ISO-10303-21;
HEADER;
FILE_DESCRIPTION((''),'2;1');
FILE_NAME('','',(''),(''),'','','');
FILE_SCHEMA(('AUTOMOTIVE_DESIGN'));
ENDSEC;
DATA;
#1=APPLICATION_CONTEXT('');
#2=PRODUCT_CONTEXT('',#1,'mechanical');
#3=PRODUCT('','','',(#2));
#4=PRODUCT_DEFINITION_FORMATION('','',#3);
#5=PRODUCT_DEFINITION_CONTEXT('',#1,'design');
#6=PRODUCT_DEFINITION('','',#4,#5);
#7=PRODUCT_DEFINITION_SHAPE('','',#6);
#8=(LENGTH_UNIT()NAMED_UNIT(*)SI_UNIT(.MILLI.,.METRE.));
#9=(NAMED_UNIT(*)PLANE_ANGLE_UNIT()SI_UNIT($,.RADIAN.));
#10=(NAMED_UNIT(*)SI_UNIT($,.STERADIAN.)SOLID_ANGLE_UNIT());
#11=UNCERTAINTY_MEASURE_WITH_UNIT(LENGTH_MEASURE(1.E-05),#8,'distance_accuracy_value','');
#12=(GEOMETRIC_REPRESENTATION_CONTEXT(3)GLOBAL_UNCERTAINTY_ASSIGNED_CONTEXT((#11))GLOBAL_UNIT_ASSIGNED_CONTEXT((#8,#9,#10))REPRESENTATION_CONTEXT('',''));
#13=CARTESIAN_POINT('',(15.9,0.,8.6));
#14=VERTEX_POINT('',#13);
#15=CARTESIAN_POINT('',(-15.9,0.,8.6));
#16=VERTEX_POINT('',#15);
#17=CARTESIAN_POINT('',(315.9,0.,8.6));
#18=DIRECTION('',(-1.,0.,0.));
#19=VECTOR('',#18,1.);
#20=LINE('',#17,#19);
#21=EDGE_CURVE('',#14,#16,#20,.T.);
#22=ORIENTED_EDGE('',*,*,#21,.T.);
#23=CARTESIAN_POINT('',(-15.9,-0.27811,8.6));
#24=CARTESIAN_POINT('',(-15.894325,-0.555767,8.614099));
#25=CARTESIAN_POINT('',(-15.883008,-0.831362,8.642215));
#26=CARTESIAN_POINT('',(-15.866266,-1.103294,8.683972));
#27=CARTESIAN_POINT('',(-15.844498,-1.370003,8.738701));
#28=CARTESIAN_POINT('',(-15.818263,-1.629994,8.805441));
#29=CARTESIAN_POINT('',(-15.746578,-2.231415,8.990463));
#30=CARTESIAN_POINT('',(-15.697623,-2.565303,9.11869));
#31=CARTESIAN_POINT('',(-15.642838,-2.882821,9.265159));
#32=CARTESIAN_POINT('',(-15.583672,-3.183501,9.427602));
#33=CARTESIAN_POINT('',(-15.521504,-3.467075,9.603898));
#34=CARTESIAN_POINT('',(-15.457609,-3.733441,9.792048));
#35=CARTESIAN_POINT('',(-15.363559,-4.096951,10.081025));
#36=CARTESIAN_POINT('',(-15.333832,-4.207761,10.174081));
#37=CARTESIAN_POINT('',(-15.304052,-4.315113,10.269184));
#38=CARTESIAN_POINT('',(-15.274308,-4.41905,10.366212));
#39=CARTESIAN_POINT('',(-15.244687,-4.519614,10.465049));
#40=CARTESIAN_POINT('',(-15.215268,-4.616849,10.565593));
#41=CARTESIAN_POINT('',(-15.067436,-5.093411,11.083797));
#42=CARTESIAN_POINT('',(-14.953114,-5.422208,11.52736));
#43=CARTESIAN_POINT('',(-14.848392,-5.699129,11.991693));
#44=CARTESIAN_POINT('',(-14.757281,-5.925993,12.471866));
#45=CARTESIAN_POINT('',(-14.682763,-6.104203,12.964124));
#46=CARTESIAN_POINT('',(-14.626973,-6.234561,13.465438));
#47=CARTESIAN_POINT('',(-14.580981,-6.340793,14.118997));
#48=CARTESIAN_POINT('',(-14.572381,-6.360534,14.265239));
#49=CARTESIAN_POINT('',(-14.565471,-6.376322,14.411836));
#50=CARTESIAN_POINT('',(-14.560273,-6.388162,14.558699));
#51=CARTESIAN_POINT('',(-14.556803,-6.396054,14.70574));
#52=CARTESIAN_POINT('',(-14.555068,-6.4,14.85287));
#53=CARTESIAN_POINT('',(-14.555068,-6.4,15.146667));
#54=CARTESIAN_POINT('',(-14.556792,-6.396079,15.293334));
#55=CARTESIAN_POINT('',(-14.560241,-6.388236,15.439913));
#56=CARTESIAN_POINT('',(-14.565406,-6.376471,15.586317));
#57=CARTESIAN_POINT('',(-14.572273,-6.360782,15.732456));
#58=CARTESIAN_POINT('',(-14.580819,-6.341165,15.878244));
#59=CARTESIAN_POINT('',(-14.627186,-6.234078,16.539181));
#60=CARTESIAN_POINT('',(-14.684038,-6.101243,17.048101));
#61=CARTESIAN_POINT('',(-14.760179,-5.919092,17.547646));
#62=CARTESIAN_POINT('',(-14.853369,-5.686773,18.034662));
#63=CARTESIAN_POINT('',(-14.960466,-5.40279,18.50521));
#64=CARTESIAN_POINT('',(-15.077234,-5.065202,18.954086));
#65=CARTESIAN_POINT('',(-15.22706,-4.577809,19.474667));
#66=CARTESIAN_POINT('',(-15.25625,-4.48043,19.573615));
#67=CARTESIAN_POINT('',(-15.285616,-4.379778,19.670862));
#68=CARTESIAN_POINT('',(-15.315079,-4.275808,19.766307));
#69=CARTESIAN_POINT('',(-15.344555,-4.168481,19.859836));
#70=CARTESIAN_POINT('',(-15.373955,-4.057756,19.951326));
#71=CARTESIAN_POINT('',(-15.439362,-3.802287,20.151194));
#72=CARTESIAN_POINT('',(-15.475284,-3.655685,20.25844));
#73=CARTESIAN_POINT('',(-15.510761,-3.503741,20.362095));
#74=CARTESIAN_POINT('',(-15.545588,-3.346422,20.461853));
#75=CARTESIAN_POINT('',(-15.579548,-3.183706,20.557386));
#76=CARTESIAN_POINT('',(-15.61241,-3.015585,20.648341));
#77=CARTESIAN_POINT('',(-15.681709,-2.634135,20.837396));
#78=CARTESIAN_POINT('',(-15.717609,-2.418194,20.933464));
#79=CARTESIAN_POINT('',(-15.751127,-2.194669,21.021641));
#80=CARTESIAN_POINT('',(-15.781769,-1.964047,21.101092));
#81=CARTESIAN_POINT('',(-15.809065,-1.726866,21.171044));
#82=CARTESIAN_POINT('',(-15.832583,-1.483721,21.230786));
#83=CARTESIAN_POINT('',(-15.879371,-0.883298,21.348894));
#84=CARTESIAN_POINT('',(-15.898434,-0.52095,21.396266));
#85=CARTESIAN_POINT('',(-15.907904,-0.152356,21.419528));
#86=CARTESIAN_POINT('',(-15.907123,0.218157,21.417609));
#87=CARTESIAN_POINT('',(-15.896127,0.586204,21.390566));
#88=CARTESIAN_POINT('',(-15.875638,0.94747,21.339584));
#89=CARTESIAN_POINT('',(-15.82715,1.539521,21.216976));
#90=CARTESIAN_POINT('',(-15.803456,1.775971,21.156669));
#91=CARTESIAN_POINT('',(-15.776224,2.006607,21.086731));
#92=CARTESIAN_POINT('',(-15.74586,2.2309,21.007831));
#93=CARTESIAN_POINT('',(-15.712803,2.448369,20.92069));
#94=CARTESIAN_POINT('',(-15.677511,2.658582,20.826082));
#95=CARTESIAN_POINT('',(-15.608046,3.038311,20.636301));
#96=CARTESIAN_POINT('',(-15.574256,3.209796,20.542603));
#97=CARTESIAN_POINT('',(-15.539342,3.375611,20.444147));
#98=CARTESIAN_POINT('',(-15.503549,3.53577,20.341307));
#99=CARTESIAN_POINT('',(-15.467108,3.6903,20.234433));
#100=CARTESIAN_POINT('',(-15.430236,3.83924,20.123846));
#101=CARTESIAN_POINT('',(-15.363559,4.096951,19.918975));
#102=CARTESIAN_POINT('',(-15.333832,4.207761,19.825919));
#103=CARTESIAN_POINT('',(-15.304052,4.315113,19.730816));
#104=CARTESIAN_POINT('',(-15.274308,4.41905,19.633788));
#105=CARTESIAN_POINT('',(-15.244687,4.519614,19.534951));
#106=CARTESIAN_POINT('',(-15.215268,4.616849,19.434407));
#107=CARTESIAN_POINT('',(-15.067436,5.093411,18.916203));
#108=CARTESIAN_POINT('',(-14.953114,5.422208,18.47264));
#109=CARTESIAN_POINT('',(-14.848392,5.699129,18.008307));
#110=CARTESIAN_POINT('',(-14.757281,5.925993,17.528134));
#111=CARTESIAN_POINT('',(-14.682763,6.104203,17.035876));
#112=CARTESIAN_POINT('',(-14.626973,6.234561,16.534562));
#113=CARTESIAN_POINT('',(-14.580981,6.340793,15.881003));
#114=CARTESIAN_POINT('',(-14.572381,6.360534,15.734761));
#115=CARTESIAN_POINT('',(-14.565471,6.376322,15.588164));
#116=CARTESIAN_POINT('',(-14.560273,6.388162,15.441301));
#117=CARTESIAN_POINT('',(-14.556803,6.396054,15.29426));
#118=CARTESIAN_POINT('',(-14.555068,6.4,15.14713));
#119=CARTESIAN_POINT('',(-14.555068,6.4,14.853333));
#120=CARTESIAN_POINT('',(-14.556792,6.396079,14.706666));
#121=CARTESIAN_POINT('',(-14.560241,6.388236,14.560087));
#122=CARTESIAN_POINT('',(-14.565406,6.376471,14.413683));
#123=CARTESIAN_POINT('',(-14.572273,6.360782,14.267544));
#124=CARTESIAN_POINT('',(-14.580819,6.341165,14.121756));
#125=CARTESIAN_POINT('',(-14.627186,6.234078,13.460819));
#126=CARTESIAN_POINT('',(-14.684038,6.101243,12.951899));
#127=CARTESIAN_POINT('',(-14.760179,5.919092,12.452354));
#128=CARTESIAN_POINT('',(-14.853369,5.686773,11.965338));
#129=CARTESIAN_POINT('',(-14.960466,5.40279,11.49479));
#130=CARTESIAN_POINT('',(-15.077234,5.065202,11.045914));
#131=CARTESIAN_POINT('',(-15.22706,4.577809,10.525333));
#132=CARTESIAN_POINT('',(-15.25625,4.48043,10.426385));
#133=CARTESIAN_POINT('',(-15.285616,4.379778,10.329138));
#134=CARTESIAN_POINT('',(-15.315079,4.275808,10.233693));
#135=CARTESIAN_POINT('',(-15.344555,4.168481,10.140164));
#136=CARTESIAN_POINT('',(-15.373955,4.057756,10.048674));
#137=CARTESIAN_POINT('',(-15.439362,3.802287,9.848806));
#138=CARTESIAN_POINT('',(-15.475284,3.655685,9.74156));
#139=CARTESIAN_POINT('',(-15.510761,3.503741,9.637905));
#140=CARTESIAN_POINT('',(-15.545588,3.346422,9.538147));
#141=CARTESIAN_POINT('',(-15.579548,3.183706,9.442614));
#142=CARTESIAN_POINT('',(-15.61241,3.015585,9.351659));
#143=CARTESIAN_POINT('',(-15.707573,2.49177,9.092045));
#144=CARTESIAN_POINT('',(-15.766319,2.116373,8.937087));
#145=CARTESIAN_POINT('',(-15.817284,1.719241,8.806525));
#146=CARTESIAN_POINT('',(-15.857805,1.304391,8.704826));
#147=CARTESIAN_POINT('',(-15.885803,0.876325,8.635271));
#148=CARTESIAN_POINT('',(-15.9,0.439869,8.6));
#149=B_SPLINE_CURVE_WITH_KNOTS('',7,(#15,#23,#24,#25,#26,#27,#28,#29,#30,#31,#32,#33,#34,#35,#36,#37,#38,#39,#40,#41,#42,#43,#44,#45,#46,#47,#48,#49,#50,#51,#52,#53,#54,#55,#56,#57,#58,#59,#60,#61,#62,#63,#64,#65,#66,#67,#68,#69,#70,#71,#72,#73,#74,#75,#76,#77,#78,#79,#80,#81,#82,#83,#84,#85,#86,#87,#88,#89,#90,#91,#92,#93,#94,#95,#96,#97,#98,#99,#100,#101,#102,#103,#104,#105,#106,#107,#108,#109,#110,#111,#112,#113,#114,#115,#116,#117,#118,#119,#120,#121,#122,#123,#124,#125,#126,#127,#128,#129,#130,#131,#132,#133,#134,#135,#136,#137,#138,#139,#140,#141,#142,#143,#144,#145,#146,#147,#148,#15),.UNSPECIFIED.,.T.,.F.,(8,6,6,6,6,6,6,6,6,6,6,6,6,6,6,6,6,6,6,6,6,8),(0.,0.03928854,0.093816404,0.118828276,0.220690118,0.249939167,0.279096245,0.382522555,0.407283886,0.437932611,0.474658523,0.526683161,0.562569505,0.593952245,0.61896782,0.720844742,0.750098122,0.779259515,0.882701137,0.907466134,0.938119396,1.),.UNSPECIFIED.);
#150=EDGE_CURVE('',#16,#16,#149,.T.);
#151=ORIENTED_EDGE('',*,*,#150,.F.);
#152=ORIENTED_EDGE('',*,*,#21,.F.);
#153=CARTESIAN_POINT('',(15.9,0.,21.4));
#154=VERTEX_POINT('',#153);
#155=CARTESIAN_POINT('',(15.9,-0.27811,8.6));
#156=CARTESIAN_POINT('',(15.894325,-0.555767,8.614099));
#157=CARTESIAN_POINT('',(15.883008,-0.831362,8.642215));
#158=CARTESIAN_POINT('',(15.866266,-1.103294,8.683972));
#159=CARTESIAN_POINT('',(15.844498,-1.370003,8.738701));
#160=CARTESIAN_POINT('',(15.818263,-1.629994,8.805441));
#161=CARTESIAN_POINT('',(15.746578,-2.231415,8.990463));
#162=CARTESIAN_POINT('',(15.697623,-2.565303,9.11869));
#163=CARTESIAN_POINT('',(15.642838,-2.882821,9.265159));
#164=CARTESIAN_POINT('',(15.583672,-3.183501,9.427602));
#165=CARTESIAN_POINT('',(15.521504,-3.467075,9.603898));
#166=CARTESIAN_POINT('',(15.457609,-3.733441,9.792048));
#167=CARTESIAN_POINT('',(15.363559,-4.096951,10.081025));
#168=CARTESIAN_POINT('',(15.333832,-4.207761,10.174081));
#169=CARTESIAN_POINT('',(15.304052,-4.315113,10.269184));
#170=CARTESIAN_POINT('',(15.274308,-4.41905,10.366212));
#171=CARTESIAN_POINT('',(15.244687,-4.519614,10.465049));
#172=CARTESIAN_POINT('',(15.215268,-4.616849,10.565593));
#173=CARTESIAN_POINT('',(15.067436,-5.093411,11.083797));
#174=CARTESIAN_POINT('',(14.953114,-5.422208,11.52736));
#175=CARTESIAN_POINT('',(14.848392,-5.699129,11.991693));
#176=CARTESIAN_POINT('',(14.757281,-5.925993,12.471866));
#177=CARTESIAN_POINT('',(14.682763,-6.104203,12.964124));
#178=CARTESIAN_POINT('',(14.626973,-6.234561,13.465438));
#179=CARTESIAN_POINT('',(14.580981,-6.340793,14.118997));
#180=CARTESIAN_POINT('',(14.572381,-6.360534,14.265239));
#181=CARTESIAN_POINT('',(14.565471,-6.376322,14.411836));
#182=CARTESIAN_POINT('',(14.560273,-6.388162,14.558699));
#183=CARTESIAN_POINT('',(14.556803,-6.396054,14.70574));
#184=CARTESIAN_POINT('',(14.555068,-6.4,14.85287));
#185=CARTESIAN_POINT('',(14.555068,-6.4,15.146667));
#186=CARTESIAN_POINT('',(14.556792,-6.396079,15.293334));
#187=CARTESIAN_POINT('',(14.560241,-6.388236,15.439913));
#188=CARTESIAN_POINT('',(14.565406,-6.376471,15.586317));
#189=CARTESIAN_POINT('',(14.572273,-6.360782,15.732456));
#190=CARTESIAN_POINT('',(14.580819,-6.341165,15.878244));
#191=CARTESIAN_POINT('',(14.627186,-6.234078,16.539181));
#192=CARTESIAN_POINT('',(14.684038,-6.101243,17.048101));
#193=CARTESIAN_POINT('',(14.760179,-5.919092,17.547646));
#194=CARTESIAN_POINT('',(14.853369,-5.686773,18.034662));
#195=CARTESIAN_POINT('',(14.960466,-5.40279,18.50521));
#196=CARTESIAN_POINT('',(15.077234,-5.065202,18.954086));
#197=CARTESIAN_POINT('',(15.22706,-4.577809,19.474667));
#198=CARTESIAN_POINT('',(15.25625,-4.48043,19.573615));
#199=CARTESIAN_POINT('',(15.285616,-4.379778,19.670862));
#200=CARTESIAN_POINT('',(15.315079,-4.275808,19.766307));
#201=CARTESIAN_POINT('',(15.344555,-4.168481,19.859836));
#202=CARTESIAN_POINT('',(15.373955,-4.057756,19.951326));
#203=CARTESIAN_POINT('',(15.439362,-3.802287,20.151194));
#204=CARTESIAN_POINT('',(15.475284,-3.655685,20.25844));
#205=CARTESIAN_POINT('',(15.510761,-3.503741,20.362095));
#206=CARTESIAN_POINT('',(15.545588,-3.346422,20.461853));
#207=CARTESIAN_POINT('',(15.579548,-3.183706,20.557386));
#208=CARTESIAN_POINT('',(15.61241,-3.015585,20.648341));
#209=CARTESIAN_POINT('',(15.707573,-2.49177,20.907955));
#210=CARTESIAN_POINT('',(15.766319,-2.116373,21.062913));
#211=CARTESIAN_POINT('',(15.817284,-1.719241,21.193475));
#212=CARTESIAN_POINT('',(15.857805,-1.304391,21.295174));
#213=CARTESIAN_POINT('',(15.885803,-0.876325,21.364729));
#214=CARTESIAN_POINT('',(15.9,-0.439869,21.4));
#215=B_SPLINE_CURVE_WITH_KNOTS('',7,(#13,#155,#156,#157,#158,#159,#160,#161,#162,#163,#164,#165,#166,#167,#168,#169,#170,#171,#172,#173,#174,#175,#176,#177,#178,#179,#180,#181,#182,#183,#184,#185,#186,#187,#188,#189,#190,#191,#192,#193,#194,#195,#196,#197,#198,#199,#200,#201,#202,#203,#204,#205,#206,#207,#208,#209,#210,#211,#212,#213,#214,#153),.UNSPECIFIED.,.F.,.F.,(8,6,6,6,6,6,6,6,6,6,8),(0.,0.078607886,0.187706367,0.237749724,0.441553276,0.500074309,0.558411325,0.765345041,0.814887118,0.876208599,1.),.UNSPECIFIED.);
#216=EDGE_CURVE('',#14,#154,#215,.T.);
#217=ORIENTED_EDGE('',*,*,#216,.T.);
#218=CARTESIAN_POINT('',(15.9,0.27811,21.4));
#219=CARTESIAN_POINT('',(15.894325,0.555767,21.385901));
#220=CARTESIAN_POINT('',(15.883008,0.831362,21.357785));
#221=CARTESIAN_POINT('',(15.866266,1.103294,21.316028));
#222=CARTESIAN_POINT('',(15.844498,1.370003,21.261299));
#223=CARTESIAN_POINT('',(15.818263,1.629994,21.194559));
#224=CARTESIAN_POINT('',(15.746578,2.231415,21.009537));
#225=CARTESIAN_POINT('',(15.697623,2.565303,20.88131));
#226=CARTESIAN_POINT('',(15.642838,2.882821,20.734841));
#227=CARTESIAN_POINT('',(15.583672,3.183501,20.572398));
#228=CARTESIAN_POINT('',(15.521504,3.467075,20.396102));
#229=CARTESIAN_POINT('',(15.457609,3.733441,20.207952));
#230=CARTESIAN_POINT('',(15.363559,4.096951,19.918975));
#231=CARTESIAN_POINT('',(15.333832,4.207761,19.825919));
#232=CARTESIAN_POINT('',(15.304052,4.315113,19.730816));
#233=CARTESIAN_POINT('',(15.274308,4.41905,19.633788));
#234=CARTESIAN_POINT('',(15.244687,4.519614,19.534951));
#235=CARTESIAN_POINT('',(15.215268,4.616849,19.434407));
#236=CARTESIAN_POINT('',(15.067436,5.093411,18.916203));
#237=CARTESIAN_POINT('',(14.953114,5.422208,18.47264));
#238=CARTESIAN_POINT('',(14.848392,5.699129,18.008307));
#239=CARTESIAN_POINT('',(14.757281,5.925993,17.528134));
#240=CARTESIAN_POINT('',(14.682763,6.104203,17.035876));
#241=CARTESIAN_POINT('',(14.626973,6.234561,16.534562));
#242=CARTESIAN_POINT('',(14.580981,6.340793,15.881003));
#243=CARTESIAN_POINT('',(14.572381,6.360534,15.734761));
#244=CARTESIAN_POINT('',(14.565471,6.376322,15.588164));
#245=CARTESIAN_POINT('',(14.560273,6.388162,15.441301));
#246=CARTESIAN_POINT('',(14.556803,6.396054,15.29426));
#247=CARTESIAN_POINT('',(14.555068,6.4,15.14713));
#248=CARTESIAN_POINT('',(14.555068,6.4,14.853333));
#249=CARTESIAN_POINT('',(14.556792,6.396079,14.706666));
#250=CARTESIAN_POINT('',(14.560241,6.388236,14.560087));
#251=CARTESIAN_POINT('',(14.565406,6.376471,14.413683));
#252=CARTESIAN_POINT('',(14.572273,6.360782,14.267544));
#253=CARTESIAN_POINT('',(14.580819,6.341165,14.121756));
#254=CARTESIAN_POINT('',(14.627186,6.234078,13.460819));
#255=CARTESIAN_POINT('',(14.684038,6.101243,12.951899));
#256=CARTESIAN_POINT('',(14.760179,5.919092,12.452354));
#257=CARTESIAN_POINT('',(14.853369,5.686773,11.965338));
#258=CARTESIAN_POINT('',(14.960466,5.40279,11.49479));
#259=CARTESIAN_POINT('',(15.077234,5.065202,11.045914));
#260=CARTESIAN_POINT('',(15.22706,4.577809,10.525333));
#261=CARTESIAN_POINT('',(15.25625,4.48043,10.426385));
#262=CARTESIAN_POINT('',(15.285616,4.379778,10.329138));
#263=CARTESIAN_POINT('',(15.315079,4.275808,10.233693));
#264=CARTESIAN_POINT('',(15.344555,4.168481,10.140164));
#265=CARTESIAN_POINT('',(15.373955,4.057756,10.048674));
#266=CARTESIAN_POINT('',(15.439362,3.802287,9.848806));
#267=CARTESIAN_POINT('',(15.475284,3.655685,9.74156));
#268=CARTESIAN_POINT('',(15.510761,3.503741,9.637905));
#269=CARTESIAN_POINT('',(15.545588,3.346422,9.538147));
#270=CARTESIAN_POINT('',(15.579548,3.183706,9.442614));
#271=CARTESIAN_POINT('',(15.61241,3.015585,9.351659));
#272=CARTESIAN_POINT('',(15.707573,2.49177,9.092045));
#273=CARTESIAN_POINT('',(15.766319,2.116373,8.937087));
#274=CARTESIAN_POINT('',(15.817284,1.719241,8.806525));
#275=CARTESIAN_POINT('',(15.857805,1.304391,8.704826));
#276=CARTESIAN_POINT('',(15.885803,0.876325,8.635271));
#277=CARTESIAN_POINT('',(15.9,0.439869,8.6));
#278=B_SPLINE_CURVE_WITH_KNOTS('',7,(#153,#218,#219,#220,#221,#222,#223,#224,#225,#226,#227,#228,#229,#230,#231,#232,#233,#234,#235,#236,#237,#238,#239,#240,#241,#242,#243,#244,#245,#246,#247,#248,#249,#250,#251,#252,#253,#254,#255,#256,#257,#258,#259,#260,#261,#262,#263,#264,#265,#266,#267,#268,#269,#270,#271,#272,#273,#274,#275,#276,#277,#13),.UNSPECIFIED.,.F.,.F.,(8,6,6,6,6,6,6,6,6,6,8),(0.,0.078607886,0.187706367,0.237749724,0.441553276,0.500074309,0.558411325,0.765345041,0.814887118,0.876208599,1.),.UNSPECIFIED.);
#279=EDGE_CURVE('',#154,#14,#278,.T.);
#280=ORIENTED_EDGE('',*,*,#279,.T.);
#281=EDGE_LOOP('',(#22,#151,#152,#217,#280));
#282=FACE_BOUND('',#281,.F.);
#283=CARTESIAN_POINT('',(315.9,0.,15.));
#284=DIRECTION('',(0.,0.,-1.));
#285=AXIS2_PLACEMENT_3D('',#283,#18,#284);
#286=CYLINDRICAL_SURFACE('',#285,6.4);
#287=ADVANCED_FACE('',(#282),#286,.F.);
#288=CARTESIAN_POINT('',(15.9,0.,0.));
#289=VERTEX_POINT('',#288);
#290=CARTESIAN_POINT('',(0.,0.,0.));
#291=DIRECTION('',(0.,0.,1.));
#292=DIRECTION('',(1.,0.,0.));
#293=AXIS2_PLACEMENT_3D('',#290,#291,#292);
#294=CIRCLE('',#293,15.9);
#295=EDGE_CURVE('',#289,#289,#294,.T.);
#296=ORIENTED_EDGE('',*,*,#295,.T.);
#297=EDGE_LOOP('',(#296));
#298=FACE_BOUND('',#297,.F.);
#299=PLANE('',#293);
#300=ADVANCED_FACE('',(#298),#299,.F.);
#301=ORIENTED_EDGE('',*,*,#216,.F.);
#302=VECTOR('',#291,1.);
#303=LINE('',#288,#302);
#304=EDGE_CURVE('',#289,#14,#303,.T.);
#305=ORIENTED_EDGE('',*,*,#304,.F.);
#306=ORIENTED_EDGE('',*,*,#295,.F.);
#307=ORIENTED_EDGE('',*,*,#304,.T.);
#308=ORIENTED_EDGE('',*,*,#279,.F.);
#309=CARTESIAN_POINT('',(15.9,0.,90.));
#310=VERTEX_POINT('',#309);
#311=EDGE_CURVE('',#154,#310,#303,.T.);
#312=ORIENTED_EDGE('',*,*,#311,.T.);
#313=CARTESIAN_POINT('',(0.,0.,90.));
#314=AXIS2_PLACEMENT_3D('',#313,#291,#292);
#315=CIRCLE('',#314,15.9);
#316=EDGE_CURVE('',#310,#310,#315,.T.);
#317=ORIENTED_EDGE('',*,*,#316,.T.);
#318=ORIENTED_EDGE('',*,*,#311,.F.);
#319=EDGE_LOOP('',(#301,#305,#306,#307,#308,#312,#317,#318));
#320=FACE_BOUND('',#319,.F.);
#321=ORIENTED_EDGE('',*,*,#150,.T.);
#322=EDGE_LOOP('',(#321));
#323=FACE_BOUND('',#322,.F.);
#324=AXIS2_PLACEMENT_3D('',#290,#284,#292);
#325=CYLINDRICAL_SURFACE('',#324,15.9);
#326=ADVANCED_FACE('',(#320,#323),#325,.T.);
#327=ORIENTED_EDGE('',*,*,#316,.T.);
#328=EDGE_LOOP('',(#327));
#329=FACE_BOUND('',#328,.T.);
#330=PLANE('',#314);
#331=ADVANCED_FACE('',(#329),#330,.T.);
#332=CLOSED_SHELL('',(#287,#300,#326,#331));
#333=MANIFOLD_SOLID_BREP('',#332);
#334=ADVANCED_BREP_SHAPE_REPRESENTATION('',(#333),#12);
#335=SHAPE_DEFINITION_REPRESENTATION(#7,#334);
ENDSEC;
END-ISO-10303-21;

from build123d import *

# Parameters (mm, degrees)
SKETCH1_R                        = 15.9
BOSS_EXTRUDE1_DEPTH              = 90
F_12_8_12_8_DIAMETER_HOLE1_D     = 12.8
F_12_8_12_8_DIAMETER_HOLE1_DEPTH = 300
F_12_8_12_8_DIAMETER_HOLE1_TIP   = 3.845507962


with BuildPart() as part:
    # Sketch1 → Boss-Extrude1 (new body)
    with BuildSketch(Plane.XY):
        Circle(SKETCH1_R)
    extrude(amount=BOSS_EXTRUDE1_DEPTH)

    # Ø12.8 (12.8) Diameter Hole1
    with Locations(Plane(origin=(15.9, 0, 15), x_dir=(0, 0, 1), z_dir=(1, 0, 0))):
        with Locations((0, 0)):
            Hole(F_12_8_12_8_DIAMETER_HOLE1_D / 2, depth=F_12_8_12_8_DIAMETER_HOLE1_DEPTH)
            with Locations((0, 0, -(F_12_8_12_8_DIAMETER_HOLE1_DEPTH + F_12_8_12_8_DIAMETER_HOLE1_TIP / 2))):  # 118° drill point
                Cone(0, F_12_8_12_8_DIAMETER_HOLE1_D / 2, F_12_8_12_8_DIAMETER_HOLE1_TIP, mode=Mode.SUBTRACT)


solid = part.part
